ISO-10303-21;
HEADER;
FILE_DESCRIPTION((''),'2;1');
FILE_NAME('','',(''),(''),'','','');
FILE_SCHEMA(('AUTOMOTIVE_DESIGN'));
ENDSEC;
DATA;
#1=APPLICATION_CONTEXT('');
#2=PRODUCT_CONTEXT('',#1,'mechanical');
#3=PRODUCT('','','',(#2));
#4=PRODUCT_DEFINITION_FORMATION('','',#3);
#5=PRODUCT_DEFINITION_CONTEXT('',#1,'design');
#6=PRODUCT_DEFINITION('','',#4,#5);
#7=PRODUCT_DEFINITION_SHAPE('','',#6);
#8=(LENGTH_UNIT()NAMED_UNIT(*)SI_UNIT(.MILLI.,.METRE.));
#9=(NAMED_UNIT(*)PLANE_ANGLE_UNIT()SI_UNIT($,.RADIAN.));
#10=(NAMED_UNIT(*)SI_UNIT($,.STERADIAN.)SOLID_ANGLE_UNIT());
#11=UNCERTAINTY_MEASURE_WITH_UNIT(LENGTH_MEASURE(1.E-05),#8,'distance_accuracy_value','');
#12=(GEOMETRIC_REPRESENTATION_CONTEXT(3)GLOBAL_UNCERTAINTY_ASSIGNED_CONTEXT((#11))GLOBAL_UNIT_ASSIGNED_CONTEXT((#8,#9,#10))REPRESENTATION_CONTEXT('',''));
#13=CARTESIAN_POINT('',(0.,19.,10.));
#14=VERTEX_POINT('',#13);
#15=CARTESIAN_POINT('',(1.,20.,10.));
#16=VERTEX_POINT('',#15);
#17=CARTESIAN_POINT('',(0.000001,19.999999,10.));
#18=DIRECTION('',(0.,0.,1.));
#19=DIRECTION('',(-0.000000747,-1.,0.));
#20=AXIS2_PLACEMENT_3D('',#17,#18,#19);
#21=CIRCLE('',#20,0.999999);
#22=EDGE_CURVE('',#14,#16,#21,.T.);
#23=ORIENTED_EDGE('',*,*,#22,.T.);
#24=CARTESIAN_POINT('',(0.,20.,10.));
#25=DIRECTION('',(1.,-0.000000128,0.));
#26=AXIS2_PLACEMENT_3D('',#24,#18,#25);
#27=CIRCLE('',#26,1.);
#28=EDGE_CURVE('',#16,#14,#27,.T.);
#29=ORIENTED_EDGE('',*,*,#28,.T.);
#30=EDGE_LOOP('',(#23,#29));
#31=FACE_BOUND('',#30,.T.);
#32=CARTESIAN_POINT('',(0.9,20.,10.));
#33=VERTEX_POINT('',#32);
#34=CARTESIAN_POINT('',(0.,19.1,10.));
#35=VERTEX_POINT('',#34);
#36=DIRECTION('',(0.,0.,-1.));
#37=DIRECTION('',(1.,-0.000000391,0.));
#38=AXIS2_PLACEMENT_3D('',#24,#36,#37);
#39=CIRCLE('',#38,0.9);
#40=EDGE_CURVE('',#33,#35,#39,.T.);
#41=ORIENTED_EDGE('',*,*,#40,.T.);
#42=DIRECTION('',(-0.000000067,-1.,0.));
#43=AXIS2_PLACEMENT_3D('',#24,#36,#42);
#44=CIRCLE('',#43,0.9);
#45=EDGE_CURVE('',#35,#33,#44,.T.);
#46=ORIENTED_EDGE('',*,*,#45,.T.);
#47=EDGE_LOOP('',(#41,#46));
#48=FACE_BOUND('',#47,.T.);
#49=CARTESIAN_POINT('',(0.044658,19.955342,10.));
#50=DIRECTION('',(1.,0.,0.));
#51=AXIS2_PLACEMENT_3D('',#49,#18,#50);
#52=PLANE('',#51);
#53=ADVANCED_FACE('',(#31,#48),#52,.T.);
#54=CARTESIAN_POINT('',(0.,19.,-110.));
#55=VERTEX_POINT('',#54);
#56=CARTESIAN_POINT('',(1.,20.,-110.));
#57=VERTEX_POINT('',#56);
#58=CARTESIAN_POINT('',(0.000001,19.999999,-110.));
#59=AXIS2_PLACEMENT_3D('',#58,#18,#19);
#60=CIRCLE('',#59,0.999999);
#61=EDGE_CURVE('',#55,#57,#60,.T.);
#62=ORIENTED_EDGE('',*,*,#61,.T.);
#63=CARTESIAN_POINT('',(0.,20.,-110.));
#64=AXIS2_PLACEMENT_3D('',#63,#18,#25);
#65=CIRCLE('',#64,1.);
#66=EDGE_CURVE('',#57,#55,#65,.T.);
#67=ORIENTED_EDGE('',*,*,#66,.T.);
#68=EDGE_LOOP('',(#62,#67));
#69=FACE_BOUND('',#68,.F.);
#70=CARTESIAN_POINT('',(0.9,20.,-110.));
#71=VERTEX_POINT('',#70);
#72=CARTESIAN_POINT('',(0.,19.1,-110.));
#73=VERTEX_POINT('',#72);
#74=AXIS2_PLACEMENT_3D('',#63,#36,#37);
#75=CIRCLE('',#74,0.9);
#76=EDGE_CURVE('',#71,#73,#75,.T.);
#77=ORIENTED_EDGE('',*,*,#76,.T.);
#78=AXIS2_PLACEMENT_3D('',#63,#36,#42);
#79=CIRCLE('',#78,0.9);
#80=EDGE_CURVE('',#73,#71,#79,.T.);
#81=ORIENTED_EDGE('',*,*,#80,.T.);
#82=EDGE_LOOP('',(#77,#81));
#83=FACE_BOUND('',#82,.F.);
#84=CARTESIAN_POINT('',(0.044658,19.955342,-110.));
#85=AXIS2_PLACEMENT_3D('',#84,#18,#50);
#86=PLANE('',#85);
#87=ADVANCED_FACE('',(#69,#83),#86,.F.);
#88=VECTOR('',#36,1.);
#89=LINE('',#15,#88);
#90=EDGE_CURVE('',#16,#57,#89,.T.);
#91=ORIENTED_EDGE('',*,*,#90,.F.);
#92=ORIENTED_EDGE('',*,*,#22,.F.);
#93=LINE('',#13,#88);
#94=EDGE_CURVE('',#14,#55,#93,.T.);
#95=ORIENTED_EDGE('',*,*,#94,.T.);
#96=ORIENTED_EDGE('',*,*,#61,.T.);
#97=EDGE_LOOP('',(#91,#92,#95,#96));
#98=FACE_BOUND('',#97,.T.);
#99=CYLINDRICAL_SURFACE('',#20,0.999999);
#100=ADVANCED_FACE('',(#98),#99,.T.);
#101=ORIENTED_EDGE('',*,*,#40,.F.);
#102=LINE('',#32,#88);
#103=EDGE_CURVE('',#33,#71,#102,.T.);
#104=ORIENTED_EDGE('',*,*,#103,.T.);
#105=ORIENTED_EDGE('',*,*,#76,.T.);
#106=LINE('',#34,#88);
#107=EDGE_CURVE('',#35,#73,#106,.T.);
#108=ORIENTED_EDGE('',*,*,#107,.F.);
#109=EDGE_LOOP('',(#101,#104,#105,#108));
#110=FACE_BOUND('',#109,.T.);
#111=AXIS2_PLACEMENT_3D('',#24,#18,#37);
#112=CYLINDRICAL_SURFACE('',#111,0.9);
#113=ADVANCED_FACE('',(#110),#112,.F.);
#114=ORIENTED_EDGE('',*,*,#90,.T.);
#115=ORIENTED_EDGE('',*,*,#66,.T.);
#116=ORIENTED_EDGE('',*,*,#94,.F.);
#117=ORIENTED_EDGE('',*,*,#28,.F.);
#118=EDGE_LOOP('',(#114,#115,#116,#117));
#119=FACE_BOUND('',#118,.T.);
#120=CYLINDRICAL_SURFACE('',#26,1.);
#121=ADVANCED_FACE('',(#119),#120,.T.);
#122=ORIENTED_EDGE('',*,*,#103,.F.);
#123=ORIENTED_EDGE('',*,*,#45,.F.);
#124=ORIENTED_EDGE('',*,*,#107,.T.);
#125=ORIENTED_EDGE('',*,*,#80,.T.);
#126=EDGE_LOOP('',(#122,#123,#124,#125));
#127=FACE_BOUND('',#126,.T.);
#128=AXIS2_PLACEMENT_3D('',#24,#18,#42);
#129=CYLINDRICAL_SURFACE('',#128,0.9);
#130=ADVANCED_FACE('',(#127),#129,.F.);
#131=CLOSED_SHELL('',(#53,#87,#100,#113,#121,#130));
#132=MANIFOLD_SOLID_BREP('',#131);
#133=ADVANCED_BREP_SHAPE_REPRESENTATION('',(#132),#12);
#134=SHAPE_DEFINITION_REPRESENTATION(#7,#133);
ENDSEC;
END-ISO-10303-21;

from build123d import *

# Parameters (mm, degrees)
F4_DEPTH = 120


with BuildPart() as f4:
    # F3 (on offset) → F4 (new body)
    with BuildSketch(Plane.XY.offset(10)):
        with BuildLine():
            ThreePointArc((1, 20), (-0.707107, 20.707107), (0, 19))
            ThreePointArc((0, 19), (0.707107, 19.292893), (1, 20))
        make_face()
        with BuildLine():
            ThreePointArc((0.9, 20), (0.636396, 19.363604), (0, 19.1))
            ThreePointArc((0, 19.1), (-0.636396, 20.636396), (0.9, 20))
        make_face(mode=Mode.SUBTRACT)
    extrude(amount=-F4_DEPTH)


solid = f4.part
